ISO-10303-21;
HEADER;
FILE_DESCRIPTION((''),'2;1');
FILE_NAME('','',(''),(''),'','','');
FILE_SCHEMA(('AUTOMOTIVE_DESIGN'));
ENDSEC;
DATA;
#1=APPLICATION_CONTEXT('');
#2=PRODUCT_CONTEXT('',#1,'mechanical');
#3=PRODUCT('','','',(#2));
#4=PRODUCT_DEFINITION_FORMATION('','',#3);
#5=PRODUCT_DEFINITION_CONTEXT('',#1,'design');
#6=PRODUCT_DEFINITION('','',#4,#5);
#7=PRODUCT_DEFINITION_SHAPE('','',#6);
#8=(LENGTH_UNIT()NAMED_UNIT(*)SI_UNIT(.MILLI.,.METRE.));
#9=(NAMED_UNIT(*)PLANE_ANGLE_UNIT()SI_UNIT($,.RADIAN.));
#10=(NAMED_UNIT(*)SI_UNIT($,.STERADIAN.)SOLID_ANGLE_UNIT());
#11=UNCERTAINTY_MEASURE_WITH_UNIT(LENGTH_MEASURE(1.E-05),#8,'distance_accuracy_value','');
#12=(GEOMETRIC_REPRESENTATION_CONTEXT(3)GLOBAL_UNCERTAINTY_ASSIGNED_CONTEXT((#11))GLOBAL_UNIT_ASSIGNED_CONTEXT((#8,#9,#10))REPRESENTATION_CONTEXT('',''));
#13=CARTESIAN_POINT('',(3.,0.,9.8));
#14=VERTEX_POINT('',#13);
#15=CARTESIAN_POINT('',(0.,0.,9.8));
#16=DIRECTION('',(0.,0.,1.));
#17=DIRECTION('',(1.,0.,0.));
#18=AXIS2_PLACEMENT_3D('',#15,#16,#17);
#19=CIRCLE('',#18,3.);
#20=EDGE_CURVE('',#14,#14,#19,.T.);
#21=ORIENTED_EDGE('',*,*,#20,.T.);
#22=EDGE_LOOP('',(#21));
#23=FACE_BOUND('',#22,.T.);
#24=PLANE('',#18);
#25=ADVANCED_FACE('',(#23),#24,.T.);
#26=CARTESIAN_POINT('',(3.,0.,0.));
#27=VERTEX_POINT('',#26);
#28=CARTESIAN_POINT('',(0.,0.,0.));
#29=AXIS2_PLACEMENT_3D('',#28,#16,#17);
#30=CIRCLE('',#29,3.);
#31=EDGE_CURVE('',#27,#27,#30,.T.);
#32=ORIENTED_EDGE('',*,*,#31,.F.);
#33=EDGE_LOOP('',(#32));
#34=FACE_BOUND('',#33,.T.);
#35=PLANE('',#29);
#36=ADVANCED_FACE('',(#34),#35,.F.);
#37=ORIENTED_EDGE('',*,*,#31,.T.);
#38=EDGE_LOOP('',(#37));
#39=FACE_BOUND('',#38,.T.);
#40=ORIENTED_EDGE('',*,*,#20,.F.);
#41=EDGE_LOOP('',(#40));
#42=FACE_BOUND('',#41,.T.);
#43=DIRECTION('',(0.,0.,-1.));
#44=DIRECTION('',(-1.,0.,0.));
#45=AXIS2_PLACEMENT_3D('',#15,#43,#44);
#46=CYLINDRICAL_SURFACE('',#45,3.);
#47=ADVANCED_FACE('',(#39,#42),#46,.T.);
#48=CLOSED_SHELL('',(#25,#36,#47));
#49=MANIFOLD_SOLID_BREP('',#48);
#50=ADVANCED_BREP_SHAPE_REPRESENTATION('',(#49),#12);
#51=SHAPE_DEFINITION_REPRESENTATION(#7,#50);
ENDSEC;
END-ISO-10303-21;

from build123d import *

# Parameters (mm, degrees)
SKETCH1_R           = 3
BOSS_EXTRUDE1_DEPTH = 9.8


with BuildPart() as part:
    # Sketch1 → Boss-Extrude1 (new body)
    with BuildSketch(Plane.XY):
        Circle(SKETCH1_R)
    extrude(amount=BOSS_EXTRUDE1_DEPTH)


solid = part.part
